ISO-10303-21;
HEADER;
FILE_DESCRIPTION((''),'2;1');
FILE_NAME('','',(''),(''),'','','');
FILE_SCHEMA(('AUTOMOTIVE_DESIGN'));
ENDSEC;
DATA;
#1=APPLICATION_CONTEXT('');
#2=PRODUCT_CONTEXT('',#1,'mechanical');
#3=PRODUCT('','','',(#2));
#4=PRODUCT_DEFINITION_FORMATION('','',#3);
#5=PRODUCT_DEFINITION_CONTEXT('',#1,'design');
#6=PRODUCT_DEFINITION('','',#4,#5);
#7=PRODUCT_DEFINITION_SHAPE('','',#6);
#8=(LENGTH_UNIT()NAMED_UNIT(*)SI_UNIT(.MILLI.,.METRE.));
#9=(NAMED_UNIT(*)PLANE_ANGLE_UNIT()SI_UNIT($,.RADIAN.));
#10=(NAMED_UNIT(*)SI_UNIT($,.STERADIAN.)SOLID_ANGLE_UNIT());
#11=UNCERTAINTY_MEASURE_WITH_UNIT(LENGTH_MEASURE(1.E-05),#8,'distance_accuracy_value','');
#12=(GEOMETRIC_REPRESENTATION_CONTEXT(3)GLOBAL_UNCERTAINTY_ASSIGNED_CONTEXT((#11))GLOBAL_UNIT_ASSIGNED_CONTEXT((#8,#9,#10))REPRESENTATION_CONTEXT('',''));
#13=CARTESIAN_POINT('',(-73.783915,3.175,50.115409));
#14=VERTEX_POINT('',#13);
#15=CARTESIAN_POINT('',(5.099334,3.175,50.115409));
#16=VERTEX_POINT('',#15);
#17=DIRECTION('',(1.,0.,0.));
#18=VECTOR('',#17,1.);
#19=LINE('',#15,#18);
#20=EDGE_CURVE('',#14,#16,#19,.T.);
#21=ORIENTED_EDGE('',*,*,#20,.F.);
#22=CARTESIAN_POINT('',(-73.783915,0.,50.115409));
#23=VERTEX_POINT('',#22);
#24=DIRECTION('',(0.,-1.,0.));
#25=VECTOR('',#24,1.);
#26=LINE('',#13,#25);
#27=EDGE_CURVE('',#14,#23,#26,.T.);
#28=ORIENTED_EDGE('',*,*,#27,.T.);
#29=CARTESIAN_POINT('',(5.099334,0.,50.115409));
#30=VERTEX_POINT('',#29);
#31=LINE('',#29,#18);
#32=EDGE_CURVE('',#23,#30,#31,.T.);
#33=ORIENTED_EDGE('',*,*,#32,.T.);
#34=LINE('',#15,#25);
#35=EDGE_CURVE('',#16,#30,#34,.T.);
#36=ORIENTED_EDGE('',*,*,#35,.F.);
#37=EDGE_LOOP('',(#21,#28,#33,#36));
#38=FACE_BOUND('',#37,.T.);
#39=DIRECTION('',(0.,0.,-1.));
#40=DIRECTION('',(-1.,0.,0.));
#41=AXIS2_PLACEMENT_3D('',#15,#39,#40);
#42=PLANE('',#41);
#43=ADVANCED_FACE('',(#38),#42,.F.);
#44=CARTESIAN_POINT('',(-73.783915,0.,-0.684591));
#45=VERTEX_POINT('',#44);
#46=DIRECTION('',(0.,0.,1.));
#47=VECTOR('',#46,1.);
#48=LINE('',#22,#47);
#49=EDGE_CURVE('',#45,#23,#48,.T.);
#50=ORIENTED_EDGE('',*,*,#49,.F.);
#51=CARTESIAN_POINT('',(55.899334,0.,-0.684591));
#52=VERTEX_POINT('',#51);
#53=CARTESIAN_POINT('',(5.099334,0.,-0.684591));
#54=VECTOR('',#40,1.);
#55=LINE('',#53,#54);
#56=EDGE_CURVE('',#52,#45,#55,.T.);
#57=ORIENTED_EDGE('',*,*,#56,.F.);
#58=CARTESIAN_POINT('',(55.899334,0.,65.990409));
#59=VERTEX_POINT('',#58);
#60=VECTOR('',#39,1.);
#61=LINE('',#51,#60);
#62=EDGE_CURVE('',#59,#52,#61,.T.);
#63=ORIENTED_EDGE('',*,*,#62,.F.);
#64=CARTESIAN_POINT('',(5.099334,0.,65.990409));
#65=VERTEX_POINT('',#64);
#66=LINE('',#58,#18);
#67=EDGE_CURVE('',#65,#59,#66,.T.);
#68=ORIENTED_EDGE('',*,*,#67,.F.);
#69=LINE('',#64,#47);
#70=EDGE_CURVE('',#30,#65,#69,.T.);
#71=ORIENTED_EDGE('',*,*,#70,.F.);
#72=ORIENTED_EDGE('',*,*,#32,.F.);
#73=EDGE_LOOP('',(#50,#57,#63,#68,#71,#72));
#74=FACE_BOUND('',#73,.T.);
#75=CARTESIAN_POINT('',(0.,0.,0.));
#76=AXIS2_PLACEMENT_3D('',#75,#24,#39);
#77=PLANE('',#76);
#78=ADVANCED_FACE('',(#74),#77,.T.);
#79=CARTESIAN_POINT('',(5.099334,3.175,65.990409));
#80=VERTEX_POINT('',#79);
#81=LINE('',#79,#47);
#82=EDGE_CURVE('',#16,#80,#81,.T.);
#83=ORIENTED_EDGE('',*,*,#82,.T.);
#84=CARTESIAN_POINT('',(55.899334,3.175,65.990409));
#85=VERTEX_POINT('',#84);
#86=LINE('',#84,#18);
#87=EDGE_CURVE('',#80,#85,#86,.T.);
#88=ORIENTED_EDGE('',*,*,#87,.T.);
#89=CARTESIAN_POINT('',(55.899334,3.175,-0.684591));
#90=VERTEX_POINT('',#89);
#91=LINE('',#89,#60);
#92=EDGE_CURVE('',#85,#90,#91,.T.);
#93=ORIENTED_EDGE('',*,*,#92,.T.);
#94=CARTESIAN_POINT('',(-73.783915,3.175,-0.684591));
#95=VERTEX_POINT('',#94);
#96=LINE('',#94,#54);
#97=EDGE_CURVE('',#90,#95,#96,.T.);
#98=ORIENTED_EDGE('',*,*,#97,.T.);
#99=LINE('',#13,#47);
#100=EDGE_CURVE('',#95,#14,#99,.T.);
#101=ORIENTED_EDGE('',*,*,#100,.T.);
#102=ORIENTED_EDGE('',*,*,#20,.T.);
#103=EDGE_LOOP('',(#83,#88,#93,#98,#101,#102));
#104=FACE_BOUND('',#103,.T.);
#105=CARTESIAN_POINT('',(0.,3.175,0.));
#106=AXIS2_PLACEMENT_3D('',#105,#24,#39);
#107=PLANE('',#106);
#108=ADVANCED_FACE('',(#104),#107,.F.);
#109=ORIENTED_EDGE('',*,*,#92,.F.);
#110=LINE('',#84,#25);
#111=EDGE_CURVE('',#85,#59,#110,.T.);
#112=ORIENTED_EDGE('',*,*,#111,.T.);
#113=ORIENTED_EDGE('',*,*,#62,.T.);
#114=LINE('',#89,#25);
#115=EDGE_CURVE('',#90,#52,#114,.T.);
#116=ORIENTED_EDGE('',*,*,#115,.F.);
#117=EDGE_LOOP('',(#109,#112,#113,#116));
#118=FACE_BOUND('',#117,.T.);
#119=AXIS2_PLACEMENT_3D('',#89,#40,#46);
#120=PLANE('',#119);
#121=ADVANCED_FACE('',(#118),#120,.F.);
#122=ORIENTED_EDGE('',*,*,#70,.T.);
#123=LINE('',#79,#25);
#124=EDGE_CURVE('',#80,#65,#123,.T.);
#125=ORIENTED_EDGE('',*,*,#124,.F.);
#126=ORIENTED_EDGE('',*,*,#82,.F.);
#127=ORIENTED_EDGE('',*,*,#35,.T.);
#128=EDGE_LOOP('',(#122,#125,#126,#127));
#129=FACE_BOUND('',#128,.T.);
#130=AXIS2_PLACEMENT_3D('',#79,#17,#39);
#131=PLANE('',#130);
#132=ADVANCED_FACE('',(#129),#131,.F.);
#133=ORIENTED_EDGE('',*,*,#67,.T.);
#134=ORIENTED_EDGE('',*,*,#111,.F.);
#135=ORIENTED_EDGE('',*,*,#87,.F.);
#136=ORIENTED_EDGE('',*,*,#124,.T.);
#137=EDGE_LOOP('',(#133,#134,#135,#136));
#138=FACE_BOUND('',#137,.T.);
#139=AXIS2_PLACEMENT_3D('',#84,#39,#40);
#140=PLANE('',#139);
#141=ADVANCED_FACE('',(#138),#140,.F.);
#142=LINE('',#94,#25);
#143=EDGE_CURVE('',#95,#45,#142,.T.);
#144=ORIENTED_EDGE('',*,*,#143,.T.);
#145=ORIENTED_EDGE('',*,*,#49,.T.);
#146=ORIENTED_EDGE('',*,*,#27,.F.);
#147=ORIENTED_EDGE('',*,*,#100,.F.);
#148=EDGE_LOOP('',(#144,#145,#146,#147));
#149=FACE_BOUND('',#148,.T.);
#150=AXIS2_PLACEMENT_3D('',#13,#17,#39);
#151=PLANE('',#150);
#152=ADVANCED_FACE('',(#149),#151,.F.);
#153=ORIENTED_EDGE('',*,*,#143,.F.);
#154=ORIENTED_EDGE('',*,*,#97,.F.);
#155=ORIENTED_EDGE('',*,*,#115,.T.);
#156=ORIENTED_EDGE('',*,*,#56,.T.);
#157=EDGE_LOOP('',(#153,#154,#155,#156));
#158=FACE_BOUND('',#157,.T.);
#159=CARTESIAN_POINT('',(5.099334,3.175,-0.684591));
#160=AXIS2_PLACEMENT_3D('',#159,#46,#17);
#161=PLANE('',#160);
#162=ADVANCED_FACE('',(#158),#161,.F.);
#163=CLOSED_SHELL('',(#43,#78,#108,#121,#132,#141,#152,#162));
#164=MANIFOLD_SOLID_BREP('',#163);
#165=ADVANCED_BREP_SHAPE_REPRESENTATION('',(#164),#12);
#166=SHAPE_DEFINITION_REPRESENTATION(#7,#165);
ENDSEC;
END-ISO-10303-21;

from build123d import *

# Parameters (mm, degrees)
BOSS_EXTRUDE1_DEPTH = 3.175


with BuildPart() as part:
    # Sketch1 → Boss-Extrude1 (new body)
    with BuildSketch(Plane(origin=(0, 0, 0), x_dir=(1, 0, 0), z_dir=(0, 1, 0))):
        Polygon((5.099333751, 0.684591182), (55.899333751, 0.684591182), (55.899333751, -65.990408818), (5.099333751, -65.990408818), (5.099333751, -50.115408818), (-73.783914514, -50.115408818), (-73.783914514, 0.684591182), align=None)
    extrude(amount=BOSS_EXTRUDE1_DEPTH)


solid = part.part
